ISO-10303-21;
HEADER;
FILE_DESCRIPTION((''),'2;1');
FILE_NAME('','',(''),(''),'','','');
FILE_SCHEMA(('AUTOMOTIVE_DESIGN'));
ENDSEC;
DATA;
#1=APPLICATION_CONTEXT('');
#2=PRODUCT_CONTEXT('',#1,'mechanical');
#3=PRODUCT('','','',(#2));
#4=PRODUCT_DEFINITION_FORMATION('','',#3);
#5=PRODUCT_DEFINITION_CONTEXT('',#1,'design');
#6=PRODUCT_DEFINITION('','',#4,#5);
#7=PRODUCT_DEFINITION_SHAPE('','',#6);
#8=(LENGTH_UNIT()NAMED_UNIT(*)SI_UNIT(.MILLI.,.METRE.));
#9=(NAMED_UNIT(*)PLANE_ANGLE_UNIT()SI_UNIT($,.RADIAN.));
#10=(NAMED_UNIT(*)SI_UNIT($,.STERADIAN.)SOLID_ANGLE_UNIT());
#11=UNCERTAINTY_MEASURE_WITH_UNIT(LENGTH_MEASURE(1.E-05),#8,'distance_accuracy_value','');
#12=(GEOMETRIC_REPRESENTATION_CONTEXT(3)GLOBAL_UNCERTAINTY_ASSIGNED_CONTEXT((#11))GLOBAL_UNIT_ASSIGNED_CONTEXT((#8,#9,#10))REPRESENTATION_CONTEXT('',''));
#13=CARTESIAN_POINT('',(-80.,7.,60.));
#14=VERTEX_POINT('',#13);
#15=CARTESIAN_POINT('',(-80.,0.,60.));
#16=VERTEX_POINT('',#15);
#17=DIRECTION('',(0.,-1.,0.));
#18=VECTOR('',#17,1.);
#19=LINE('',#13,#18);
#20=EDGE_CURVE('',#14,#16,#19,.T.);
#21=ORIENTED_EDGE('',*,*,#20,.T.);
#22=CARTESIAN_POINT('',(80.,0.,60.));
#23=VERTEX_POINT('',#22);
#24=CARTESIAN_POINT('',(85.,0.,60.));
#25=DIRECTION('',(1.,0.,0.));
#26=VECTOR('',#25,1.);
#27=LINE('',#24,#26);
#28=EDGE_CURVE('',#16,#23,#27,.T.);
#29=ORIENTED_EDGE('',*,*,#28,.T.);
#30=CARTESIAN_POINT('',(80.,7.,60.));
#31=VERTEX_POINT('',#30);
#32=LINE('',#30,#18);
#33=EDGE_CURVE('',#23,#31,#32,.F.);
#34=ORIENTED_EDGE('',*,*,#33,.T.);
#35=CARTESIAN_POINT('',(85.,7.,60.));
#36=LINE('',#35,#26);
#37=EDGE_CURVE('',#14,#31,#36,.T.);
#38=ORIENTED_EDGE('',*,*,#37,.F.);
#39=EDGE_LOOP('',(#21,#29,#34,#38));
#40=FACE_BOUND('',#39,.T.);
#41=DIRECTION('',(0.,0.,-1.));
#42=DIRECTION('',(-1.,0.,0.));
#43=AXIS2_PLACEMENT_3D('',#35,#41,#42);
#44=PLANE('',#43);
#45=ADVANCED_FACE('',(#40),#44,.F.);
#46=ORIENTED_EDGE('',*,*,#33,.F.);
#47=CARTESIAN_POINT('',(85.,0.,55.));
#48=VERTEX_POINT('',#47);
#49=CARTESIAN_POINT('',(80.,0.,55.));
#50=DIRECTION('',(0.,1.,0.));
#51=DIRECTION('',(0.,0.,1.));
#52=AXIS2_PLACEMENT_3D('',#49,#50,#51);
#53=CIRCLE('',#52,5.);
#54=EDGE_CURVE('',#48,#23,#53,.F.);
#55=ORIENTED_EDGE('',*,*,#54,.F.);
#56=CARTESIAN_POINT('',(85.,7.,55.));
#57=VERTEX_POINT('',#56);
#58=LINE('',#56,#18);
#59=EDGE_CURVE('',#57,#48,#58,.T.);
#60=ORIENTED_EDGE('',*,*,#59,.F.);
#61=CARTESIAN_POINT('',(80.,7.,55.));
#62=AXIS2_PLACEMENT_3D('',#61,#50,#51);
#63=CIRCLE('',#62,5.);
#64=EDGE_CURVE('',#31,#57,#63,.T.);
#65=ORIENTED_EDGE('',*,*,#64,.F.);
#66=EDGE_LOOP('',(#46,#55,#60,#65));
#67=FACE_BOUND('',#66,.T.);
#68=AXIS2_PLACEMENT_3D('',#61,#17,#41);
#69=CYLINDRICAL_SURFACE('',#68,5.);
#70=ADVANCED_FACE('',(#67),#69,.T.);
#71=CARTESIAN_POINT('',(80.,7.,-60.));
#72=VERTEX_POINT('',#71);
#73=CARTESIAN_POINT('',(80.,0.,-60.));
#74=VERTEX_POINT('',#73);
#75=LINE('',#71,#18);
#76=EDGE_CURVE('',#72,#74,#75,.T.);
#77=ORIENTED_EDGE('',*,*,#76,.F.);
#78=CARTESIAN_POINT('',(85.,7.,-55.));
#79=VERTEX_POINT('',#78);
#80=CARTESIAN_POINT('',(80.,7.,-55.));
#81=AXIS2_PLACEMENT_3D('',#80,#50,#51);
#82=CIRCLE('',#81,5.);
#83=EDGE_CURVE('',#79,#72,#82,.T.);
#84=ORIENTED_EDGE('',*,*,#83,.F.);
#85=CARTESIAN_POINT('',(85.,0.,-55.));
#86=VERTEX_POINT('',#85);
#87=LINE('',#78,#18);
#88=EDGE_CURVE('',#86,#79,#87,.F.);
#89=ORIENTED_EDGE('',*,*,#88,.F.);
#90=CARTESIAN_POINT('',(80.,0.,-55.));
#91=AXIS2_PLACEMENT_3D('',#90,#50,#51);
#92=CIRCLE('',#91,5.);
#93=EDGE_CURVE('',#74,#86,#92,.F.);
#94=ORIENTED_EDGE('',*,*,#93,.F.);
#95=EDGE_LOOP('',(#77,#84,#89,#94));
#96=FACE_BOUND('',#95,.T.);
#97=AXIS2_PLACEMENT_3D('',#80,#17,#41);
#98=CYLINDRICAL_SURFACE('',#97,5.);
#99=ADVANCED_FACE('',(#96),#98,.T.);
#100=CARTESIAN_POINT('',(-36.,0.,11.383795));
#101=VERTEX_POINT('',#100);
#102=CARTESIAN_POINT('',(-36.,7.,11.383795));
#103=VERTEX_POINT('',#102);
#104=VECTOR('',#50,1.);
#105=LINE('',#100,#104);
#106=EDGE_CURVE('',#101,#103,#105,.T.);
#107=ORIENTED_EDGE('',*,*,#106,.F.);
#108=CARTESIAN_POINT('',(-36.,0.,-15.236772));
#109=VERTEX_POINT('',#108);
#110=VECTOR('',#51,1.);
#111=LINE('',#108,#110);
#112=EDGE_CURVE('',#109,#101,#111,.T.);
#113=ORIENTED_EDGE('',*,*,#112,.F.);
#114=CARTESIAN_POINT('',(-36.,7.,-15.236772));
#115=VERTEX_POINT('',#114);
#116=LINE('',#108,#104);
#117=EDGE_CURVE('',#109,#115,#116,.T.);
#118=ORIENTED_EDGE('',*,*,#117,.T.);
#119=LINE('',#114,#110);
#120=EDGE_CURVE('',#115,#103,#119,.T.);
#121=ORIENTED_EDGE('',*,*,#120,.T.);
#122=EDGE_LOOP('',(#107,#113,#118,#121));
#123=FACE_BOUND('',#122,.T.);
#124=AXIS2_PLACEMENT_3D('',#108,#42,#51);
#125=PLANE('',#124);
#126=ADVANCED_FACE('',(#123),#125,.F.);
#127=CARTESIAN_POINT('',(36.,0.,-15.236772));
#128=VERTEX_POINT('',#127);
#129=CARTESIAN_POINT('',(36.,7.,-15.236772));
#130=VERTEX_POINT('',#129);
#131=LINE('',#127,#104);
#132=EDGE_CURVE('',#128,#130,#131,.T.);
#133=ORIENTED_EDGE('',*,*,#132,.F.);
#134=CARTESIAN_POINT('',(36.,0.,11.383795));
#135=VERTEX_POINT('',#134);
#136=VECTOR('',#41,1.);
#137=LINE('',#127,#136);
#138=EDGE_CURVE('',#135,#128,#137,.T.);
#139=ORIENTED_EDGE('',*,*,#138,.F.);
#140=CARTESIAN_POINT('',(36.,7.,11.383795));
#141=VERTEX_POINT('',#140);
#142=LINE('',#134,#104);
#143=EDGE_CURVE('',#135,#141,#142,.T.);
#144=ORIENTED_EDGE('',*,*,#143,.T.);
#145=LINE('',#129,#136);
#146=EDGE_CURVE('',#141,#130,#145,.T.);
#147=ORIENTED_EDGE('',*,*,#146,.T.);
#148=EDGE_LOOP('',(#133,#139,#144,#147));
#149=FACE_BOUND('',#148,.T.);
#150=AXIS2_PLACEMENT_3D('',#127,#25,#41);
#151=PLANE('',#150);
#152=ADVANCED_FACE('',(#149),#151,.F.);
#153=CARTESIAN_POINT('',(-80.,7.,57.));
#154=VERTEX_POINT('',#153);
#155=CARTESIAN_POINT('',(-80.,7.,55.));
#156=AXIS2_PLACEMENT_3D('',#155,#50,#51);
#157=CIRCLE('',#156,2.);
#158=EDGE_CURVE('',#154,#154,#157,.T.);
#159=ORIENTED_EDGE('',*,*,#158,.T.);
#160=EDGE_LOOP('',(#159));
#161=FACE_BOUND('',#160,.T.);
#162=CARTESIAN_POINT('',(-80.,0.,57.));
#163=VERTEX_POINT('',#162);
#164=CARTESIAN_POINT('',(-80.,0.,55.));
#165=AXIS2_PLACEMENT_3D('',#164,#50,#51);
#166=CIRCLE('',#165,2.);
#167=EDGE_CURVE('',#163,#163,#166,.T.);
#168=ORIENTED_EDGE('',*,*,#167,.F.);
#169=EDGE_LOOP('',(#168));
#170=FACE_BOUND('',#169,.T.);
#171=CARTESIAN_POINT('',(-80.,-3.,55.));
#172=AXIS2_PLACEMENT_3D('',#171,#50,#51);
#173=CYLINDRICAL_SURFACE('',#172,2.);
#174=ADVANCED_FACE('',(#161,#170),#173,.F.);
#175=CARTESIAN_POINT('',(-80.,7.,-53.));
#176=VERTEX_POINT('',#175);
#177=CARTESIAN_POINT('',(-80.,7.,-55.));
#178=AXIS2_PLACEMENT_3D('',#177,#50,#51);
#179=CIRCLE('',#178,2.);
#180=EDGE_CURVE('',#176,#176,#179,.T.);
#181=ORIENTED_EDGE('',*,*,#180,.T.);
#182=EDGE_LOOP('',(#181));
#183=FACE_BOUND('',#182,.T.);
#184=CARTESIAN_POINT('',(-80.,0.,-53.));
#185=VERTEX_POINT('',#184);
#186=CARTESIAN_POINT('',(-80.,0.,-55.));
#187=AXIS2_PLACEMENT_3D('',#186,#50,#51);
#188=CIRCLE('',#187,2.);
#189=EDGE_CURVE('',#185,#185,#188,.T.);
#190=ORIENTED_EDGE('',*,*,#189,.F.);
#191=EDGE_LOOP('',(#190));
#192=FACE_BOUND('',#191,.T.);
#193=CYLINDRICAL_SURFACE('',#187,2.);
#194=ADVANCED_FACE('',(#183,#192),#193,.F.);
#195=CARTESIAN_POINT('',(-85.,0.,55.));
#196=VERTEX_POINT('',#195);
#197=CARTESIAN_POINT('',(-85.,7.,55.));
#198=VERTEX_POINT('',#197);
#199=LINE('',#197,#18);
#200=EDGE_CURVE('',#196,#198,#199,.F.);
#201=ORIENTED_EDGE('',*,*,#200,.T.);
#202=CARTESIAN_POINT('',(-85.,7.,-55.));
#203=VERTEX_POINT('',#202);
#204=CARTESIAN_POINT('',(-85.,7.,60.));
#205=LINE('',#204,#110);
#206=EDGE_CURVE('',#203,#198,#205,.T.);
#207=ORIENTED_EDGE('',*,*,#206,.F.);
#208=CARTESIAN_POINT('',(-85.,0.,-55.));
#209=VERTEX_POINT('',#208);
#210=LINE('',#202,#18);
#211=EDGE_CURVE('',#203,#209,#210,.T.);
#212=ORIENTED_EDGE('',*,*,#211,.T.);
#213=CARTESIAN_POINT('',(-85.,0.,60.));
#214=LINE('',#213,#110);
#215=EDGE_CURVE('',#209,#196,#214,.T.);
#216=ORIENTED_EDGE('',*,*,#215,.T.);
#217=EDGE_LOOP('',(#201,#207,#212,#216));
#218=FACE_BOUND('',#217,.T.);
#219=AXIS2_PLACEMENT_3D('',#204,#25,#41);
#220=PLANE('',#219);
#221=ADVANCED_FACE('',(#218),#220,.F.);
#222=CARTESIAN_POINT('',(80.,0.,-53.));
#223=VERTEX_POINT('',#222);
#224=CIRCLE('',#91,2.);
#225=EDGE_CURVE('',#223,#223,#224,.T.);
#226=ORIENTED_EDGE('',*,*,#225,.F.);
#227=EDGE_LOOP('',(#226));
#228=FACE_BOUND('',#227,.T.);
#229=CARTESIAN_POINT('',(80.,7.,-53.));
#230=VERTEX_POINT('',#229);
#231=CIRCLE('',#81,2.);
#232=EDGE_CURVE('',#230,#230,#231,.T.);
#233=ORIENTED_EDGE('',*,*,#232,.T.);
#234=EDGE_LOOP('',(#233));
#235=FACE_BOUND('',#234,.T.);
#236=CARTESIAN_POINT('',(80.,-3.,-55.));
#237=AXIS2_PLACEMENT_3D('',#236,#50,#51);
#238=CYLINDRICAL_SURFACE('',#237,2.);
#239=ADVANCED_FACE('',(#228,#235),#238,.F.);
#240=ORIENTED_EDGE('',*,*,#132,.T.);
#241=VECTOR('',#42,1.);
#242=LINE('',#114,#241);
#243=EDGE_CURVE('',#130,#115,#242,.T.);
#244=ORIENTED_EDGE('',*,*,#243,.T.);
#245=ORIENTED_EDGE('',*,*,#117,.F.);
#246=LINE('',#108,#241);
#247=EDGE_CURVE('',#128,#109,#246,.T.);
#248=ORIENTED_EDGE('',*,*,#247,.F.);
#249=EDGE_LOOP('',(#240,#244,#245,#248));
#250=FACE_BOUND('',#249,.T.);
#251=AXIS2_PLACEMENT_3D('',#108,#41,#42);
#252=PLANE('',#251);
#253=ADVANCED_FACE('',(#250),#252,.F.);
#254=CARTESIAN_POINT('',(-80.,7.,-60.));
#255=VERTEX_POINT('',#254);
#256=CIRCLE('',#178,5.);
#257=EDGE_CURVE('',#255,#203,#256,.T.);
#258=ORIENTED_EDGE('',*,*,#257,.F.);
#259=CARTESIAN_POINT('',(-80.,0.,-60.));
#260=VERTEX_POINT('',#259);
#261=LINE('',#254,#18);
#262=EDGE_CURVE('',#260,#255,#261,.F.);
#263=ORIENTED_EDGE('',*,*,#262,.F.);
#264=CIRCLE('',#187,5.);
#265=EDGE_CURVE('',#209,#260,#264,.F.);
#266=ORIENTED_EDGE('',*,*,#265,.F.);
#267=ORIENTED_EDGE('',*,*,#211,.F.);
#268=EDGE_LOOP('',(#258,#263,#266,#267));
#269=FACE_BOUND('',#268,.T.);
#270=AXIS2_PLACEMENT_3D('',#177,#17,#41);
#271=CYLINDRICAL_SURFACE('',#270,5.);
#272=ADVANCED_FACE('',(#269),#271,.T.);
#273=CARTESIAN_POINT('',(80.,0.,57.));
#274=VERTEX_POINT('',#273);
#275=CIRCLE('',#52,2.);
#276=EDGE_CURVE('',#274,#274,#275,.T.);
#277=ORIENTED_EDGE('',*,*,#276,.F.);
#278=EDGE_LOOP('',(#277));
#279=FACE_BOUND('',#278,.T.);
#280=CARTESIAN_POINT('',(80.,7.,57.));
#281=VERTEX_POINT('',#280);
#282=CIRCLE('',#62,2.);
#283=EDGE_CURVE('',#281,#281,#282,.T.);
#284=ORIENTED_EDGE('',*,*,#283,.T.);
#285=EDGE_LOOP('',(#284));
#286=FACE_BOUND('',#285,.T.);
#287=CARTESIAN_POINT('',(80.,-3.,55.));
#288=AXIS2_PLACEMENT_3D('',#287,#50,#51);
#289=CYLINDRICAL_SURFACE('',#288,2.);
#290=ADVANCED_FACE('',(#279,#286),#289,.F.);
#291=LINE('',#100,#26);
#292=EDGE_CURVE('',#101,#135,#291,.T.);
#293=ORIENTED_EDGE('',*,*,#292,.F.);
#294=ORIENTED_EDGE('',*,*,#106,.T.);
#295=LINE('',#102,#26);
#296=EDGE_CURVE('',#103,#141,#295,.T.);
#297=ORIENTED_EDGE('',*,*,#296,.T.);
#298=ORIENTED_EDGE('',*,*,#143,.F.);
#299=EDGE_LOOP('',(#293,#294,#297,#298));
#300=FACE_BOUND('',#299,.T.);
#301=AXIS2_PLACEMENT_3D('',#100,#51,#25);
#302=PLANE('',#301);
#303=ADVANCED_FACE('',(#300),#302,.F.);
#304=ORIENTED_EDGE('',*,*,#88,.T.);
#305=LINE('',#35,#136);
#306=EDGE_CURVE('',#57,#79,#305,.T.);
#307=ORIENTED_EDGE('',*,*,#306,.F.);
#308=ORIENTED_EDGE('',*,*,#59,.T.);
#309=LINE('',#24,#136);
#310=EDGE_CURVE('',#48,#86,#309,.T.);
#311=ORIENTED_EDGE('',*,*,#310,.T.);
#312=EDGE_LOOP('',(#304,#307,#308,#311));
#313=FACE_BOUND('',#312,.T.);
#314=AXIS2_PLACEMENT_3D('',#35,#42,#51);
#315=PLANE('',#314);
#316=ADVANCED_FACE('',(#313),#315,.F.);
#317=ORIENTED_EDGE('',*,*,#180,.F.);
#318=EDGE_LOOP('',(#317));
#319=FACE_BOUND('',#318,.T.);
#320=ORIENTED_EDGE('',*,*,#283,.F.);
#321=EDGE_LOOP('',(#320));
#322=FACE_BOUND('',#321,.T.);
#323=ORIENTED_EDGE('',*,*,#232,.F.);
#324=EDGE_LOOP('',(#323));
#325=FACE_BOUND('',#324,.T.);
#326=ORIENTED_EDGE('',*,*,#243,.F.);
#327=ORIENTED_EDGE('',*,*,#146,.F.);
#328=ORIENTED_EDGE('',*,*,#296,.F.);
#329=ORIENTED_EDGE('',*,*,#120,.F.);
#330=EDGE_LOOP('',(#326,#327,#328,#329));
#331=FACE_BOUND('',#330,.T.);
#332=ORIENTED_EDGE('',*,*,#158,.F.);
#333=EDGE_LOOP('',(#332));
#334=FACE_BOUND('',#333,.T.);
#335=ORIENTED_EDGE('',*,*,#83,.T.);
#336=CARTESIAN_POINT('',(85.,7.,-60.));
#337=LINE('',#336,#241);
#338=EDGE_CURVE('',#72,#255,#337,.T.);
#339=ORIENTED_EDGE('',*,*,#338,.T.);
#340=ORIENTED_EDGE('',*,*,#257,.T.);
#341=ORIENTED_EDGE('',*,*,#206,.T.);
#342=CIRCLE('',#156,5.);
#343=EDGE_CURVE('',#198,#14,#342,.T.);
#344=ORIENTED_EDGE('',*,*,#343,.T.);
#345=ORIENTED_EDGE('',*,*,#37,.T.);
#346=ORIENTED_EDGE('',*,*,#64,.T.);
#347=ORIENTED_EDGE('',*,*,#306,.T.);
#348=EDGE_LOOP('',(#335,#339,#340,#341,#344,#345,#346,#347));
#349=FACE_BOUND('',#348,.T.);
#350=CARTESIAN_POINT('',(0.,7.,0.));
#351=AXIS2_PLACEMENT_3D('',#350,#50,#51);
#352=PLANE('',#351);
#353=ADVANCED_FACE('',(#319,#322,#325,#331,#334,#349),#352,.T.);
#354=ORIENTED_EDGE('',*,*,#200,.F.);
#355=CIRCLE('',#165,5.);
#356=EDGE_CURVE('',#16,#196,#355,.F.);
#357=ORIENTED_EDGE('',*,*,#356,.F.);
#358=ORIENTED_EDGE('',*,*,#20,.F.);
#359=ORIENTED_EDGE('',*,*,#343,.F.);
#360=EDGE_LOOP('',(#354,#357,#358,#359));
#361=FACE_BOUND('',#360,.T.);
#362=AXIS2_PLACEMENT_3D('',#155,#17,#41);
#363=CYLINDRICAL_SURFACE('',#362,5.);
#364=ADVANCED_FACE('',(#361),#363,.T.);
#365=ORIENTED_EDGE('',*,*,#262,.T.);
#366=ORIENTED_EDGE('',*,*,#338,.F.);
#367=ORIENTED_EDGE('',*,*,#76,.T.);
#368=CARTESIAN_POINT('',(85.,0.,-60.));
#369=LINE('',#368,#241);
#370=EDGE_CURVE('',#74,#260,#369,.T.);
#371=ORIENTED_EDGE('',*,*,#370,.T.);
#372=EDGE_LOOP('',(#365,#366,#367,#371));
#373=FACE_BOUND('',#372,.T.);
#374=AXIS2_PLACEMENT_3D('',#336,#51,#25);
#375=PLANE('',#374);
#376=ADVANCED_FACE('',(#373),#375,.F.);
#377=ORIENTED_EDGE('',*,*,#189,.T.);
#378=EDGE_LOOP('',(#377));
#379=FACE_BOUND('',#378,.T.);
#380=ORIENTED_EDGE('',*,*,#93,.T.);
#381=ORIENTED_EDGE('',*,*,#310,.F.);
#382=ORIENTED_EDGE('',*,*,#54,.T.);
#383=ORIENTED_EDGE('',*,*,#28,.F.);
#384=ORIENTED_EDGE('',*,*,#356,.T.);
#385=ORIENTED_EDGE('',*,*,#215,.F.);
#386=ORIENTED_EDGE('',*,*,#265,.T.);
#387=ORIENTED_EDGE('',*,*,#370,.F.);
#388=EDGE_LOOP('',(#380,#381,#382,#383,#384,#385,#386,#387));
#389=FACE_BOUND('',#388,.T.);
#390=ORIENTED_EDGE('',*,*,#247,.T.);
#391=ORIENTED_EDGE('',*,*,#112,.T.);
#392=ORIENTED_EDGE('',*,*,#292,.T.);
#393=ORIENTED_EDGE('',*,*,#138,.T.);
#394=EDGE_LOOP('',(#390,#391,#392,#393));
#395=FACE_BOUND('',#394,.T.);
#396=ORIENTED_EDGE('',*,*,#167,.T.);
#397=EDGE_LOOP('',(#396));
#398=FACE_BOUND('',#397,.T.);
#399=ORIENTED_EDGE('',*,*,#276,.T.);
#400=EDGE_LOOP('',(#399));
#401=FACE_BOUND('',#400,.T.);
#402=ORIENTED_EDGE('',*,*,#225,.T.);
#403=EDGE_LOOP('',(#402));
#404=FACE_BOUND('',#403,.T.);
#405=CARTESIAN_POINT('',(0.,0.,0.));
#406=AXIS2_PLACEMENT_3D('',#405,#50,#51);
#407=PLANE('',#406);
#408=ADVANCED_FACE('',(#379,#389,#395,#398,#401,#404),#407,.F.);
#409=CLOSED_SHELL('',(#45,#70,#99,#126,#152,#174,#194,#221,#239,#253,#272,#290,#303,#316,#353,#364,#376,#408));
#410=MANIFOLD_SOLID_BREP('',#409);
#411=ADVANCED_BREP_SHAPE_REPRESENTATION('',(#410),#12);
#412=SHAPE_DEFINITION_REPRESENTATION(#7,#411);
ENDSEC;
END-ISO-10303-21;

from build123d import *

# Parameters (mm, degrees)
SKETCH1_W           = 170
SKETCH1_H           = 120
BOSS_EXTRUDE1_DEPTH = 7
SKETCH2_W           = 72
SKETCH2_H           = 26.620567464
CUT_EXTRUDE1_DEPTH  = 7
SKETCH3_R           = 2
CUT_EXTRUDE5_DEPTH  = 7
SKETCH7_R           = 2
CUT_EXTRUDE7_DEPTH  = 10
SKETCH6_R           = 2
CUT_EXTRUDE10_DEPTH = 10
SKETCH9_R           = 2
CUT_EXTRUDE11_DEPTH = 10
FILLET1_R           = 5


with BuildPart() as part:
    # Sketch1 → Boss-Extrude1 (new body)
    with BuildSketch(Plane(origin=(0, 0, 0), x_dir=(1, 0, 0), z_dir=(0, 1, 0))):
        Rectangle(SKETCH1_W, SKETCH1_H)
    extrude(amount=BOSS_EXTRUDE1_DEPTH)

    # Sketch2 → Cut-Extrude1 (cut)
    with BuildSketch(Plane(origin=(0, 7, 0), x_dir=(1, 0, 0), z_dir=(0, 1, 0))):
        with Locations((0, 1.926488435)):
            Rectangle(SKETCH2_W, SKETCH2_H)
    extrude(amount=-CUT_EXTRUDE1_DEPTH, mode=Mode.SUBTRACT)

    # Sketch3 → Cut-Extrude5 (cut)
    with BuildSketch(Plane(origin=(0, 7, 0), x_dir=(1, 0, 0), z_dir=(0, 1, 0))):
        with Locations((-80, 55)):
            Circle(SKETCH3_R)
    extrude(amount=-CUT_EXTRUDE5_DEPTH, mode=Mode.SUBTRACT)

    # Sketch7 → Cut-Extrude7 (cut)
    with BuildSketch(Plane(origin=(0, 7, 0), x_dir=(1, 0, 0), z_dir=(0, 1, 0))):
        with Locations((-80, -55)):
            Circle(SKETCH7_R)
    extrude(amount=-CUT_EXTRUDE7_DEPTH, mode=Mode.SUBTRACT)

    # Sketch6 → Cut-Extrude10 (cut)
    with BuildSketch(Plane(origin=(0, 7, 0), x_dir=(1, 0, 0), z_dir=(0, 1, 0))):
        with Locations((80, 55)):
            Circle(SKETCH6_R)
    extrude(amount=-CUT_EXTRUDE10_DEPTH, mode=Mode.SUBTRACT)

    # Sketch9 → Cut-Extrude11 (cut)
    with BuildSketch(Plane(origin=(0, 7, 0), x_dir=(1, 0, 0), z_dir=(0, 1, 0))):
        with Locations((80, -55)):
            Circle(SKETCH9_R)
    extrude(amount=-CUT_EXTRUDE11_DEPTH, mode=Mode.SUBTRACT)

    # Fillet1
    fillet1_edges = [part.edges().sort_by_distance(p)[0] for p in [
        (-85, 3.5, -60),
        (85, 3.5, -60),
        (85, 3.5, 60),
        (-85, 3.5, 60),
    ]]
    fillet(fillet1_edges, radius=FILLET1_R)


solid = part.part
